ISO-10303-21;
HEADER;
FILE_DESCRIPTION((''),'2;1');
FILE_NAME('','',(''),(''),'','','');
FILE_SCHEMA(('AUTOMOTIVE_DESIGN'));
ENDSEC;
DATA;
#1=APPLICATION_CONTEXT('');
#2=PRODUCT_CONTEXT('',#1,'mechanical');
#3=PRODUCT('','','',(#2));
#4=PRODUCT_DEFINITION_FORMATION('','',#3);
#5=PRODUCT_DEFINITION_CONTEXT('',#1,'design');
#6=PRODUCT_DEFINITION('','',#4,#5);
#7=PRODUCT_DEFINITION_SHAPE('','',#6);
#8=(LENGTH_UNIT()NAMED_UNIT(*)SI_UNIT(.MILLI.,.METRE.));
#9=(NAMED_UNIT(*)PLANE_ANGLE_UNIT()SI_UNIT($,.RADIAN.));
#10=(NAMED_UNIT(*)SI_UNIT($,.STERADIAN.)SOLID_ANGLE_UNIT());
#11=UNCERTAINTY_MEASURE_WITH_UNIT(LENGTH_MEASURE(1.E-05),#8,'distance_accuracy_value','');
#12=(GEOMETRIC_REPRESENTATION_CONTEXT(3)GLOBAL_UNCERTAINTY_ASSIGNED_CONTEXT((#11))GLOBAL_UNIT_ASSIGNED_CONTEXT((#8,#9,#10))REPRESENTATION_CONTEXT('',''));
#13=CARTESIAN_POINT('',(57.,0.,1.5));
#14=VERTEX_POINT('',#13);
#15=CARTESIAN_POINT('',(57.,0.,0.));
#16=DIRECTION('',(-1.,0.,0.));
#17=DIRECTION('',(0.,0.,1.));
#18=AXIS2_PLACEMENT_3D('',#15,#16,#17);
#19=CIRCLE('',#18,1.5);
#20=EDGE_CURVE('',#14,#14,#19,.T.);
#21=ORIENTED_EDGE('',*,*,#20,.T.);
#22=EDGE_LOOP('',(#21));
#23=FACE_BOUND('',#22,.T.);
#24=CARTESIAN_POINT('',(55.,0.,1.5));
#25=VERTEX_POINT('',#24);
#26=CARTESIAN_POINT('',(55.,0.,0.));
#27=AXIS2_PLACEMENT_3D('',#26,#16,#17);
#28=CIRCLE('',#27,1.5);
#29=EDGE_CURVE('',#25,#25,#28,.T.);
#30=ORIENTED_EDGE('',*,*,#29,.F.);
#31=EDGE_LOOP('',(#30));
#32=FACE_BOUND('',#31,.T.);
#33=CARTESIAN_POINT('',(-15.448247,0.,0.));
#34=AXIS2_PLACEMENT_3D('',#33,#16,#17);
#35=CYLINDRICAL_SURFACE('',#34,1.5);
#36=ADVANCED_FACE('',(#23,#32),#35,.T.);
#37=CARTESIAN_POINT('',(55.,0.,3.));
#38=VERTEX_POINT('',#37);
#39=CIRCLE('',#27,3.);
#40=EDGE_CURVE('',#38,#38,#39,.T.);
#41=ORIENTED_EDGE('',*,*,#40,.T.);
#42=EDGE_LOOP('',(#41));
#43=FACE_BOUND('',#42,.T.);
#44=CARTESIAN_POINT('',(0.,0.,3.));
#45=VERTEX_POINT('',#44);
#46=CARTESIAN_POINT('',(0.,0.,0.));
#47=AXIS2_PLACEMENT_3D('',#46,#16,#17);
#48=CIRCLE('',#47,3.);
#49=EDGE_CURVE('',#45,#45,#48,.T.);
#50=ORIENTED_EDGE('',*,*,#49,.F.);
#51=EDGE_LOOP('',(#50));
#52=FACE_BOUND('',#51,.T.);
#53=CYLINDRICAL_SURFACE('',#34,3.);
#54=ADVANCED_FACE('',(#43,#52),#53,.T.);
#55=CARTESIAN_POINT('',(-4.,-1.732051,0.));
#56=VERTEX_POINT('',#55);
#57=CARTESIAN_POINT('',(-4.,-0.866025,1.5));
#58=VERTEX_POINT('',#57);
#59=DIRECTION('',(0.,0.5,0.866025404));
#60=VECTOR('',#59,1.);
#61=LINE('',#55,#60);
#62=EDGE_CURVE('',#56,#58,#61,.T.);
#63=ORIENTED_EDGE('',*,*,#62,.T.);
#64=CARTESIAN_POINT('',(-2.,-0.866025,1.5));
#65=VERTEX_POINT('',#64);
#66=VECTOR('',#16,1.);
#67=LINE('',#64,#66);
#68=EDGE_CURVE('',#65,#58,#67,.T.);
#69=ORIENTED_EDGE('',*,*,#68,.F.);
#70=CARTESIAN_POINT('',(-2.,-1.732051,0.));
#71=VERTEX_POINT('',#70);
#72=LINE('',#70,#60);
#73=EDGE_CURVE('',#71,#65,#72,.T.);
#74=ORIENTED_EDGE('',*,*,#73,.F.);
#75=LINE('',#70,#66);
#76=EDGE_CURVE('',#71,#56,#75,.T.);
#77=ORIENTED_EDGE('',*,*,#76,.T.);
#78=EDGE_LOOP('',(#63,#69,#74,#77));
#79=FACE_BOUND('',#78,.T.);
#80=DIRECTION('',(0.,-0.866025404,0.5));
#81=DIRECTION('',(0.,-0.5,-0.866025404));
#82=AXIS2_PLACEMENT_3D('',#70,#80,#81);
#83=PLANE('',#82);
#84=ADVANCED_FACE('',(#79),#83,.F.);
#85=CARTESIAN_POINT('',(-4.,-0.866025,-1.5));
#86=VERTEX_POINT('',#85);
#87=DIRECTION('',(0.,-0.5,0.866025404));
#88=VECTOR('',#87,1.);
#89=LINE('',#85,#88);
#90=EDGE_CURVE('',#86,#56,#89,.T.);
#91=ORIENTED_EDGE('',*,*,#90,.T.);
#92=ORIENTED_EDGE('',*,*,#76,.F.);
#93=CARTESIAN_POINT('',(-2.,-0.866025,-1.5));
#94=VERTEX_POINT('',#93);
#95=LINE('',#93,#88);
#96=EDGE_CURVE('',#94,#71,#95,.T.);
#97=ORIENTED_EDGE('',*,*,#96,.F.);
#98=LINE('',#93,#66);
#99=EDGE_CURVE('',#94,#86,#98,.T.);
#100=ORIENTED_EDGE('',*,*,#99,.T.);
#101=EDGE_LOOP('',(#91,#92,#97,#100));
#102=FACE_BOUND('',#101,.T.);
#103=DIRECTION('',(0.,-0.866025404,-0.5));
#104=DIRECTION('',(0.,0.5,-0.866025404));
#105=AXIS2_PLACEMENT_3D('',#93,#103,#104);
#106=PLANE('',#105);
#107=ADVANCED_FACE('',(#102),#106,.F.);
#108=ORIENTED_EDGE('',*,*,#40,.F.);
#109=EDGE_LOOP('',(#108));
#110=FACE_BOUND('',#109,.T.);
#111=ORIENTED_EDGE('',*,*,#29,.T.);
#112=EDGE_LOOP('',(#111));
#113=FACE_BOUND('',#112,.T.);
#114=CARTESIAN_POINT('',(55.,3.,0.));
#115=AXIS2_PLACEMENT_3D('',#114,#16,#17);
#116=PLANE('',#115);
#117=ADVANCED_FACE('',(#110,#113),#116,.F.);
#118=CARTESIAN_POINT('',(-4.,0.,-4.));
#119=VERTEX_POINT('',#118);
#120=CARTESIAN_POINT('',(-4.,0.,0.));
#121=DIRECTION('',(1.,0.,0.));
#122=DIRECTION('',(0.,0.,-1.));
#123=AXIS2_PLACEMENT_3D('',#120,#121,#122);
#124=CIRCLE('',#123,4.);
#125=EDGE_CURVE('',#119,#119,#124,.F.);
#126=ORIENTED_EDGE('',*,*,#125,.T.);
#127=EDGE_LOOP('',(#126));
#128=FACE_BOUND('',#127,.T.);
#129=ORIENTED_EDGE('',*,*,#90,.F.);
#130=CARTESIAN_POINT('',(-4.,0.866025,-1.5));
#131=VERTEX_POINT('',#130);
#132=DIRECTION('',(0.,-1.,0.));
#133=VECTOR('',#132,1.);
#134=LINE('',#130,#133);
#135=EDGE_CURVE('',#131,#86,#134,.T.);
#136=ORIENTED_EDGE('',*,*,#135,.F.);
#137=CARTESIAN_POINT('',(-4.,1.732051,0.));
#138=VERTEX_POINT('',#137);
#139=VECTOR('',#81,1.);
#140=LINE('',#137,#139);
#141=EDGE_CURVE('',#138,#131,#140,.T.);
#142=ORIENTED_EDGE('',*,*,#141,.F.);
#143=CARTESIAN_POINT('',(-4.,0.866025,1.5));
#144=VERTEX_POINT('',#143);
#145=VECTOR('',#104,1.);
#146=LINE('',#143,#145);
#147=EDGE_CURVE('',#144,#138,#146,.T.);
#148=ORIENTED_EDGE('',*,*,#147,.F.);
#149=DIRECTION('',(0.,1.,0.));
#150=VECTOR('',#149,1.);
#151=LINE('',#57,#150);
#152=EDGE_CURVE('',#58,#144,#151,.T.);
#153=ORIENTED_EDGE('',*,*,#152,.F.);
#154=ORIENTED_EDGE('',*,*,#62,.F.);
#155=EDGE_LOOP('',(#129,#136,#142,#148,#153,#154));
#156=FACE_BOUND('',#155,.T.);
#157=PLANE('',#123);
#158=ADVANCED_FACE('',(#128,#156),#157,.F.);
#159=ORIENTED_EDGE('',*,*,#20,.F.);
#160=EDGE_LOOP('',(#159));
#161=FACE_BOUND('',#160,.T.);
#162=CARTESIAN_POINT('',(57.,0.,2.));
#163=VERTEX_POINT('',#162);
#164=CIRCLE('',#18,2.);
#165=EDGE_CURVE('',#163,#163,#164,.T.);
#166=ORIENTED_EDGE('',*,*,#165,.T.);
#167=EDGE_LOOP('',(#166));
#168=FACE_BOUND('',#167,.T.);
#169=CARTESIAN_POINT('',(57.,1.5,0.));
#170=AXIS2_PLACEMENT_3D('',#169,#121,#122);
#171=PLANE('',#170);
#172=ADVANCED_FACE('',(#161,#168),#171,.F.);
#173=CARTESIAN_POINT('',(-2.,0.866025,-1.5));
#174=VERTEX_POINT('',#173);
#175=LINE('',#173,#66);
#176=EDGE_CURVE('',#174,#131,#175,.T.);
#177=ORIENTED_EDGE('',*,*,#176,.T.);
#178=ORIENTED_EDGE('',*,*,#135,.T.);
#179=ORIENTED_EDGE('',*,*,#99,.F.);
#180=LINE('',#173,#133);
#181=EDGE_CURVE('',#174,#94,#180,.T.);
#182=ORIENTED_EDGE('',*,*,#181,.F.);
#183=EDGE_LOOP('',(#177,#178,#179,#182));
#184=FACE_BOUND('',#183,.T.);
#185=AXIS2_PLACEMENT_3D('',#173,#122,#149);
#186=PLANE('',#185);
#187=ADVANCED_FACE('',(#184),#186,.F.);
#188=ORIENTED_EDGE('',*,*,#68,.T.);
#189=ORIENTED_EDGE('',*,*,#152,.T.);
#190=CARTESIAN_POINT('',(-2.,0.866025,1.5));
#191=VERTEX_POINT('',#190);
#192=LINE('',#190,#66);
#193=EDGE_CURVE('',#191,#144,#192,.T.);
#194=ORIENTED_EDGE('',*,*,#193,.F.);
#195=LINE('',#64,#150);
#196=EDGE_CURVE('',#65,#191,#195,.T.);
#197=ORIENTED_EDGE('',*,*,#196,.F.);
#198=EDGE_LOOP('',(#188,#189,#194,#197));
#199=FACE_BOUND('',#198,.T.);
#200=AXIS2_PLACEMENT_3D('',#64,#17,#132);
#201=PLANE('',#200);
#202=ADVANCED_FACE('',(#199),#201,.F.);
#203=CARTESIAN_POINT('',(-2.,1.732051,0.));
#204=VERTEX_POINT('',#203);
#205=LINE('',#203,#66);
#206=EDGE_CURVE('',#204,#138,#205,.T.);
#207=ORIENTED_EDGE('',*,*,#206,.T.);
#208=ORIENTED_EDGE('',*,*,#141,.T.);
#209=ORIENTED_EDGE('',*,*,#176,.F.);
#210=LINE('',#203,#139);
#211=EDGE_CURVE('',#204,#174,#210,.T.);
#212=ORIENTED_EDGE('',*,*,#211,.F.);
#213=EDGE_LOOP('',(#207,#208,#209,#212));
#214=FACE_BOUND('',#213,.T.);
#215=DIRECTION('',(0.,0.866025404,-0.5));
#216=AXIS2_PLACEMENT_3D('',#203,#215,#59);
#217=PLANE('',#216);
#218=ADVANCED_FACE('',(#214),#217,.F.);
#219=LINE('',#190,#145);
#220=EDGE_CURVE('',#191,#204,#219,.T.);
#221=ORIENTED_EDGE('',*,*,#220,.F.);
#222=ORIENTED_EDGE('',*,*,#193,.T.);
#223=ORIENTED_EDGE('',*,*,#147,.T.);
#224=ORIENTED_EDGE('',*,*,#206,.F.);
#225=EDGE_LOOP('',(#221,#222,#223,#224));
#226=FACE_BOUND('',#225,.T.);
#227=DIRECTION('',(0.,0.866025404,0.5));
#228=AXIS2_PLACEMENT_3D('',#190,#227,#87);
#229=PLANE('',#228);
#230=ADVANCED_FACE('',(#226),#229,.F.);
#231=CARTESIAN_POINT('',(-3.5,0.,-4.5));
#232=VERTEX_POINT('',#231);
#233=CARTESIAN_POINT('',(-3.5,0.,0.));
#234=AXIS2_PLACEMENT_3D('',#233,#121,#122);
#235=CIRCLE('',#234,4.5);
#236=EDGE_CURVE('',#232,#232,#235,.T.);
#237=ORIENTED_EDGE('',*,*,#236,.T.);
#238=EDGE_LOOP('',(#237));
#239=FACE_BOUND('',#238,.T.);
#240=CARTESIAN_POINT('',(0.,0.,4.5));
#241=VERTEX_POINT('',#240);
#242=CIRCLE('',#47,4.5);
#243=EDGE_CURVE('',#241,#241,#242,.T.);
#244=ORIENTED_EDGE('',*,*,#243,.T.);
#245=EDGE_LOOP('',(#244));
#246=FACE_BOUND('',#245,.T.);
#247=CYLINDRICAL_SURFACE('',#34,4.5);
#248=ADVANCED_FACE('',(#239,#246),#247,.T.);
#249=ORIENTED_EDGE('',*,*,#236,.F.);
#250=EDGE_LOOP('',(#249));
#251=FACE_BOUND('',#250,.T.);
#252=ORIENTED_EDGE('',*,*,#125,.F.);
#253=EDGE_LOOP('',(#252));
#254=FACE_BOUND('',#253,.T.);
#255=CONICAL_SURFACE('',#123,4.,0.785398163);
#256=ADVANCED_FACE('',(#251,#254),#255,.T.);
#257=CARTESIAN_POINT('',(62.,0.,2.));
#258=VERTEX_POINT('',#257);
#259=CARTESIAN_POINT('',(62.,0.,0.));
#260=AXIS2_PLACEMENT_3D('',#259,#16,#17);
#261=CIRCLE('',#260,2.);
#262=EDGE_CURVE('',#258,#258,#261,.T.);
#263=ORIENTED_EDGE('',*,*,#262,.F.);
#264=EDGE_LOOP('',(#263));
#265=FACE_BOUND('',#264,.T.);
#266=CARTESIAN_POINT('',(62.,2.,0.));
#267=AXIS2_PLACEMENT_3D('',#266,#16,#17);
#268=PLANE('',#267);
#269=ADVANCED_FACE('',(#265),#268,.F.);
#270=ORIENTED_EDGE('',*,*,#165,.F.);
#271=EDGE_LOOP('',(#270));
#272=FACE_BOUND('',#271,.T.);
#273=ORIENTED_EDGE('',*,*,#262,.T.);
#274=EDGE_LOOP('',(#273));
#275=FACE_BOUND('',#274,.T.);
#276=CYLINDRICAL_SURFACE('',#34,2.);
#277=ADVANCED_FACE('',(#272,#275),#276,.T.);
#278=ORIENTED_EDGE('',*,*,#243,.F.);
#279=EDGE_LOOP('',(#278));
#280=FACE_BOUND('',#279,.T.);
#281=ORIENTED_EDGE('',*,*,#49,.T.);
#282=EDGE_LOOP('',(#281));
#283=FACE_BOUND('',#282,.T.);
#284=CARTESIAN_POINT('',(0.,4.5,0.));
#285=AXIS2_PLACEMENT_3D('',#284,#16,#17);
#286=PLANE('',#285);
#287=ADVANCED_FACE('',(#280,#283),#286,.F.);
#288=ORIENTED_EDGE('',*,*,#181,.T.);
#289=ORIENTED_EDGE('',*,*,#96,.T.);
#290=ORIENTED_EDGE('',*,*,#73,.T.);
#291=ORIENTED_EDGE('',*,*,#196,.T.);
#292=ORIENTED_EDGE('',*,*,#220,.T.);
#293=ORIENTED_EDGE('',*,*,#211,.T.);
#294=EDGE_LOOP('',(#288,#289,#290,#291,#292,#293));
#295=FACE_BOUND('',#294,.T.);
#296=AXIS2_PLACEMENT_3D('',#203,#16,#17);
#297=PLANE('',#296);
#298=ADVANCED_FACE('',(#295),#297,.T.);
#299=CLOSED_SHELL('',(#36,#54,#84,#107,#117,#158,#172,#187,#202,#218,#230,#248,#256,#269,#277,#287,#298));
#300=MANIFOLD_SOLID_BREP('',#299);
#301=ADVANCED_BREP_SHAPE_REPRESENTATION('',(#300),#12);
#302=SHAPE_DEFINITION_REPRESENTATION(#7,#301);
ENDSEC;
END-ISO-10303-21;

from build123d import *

# Parameters (mm, degrees)
CHAMFER2_SIZE      = 0.5
CUT_EXTRUDE1_DEPTH = 2


with BuildPart() as part:
    # Sketch1 → Revolve1 (revolve)
    with BuildSketch(Plane.XY):
        Polygon((0, 3), (55, 3), (55, 1.5), (57, 1.5), (57, 2), (62, 2), (62, 0), (-4, 0), (-4, 4.5), (0, 4.5), align=None)
    revolve(axis=Axis((-15.448246648, 0, 0), (1, 0, 0)))

    # Chamfer2
    chamfer2_edges = [part.edges().sort_by_distance(p)[0] for p in [
        (-4, -4.5, 0),
    ]]
    chamfer(chamfer2_edges, length=CHAMFER2_SIZE)

    # Sketch2 → Cut-Extrude1 (cut)
    with BuildSketch(Plane.ZY.offset(4)):
        Polygon((0, 1.732050808), (-1.5, 0.866025404), (-1.5, -0.866025404), (0, -1.732050808), (1.5, -0.866025404), (1.5, 0.866025404), align=None)
    extrude(amount=-CUT_EXTRUDE1_DEPTH, mode=Mode.SUBTRACT)


solid = part.part
